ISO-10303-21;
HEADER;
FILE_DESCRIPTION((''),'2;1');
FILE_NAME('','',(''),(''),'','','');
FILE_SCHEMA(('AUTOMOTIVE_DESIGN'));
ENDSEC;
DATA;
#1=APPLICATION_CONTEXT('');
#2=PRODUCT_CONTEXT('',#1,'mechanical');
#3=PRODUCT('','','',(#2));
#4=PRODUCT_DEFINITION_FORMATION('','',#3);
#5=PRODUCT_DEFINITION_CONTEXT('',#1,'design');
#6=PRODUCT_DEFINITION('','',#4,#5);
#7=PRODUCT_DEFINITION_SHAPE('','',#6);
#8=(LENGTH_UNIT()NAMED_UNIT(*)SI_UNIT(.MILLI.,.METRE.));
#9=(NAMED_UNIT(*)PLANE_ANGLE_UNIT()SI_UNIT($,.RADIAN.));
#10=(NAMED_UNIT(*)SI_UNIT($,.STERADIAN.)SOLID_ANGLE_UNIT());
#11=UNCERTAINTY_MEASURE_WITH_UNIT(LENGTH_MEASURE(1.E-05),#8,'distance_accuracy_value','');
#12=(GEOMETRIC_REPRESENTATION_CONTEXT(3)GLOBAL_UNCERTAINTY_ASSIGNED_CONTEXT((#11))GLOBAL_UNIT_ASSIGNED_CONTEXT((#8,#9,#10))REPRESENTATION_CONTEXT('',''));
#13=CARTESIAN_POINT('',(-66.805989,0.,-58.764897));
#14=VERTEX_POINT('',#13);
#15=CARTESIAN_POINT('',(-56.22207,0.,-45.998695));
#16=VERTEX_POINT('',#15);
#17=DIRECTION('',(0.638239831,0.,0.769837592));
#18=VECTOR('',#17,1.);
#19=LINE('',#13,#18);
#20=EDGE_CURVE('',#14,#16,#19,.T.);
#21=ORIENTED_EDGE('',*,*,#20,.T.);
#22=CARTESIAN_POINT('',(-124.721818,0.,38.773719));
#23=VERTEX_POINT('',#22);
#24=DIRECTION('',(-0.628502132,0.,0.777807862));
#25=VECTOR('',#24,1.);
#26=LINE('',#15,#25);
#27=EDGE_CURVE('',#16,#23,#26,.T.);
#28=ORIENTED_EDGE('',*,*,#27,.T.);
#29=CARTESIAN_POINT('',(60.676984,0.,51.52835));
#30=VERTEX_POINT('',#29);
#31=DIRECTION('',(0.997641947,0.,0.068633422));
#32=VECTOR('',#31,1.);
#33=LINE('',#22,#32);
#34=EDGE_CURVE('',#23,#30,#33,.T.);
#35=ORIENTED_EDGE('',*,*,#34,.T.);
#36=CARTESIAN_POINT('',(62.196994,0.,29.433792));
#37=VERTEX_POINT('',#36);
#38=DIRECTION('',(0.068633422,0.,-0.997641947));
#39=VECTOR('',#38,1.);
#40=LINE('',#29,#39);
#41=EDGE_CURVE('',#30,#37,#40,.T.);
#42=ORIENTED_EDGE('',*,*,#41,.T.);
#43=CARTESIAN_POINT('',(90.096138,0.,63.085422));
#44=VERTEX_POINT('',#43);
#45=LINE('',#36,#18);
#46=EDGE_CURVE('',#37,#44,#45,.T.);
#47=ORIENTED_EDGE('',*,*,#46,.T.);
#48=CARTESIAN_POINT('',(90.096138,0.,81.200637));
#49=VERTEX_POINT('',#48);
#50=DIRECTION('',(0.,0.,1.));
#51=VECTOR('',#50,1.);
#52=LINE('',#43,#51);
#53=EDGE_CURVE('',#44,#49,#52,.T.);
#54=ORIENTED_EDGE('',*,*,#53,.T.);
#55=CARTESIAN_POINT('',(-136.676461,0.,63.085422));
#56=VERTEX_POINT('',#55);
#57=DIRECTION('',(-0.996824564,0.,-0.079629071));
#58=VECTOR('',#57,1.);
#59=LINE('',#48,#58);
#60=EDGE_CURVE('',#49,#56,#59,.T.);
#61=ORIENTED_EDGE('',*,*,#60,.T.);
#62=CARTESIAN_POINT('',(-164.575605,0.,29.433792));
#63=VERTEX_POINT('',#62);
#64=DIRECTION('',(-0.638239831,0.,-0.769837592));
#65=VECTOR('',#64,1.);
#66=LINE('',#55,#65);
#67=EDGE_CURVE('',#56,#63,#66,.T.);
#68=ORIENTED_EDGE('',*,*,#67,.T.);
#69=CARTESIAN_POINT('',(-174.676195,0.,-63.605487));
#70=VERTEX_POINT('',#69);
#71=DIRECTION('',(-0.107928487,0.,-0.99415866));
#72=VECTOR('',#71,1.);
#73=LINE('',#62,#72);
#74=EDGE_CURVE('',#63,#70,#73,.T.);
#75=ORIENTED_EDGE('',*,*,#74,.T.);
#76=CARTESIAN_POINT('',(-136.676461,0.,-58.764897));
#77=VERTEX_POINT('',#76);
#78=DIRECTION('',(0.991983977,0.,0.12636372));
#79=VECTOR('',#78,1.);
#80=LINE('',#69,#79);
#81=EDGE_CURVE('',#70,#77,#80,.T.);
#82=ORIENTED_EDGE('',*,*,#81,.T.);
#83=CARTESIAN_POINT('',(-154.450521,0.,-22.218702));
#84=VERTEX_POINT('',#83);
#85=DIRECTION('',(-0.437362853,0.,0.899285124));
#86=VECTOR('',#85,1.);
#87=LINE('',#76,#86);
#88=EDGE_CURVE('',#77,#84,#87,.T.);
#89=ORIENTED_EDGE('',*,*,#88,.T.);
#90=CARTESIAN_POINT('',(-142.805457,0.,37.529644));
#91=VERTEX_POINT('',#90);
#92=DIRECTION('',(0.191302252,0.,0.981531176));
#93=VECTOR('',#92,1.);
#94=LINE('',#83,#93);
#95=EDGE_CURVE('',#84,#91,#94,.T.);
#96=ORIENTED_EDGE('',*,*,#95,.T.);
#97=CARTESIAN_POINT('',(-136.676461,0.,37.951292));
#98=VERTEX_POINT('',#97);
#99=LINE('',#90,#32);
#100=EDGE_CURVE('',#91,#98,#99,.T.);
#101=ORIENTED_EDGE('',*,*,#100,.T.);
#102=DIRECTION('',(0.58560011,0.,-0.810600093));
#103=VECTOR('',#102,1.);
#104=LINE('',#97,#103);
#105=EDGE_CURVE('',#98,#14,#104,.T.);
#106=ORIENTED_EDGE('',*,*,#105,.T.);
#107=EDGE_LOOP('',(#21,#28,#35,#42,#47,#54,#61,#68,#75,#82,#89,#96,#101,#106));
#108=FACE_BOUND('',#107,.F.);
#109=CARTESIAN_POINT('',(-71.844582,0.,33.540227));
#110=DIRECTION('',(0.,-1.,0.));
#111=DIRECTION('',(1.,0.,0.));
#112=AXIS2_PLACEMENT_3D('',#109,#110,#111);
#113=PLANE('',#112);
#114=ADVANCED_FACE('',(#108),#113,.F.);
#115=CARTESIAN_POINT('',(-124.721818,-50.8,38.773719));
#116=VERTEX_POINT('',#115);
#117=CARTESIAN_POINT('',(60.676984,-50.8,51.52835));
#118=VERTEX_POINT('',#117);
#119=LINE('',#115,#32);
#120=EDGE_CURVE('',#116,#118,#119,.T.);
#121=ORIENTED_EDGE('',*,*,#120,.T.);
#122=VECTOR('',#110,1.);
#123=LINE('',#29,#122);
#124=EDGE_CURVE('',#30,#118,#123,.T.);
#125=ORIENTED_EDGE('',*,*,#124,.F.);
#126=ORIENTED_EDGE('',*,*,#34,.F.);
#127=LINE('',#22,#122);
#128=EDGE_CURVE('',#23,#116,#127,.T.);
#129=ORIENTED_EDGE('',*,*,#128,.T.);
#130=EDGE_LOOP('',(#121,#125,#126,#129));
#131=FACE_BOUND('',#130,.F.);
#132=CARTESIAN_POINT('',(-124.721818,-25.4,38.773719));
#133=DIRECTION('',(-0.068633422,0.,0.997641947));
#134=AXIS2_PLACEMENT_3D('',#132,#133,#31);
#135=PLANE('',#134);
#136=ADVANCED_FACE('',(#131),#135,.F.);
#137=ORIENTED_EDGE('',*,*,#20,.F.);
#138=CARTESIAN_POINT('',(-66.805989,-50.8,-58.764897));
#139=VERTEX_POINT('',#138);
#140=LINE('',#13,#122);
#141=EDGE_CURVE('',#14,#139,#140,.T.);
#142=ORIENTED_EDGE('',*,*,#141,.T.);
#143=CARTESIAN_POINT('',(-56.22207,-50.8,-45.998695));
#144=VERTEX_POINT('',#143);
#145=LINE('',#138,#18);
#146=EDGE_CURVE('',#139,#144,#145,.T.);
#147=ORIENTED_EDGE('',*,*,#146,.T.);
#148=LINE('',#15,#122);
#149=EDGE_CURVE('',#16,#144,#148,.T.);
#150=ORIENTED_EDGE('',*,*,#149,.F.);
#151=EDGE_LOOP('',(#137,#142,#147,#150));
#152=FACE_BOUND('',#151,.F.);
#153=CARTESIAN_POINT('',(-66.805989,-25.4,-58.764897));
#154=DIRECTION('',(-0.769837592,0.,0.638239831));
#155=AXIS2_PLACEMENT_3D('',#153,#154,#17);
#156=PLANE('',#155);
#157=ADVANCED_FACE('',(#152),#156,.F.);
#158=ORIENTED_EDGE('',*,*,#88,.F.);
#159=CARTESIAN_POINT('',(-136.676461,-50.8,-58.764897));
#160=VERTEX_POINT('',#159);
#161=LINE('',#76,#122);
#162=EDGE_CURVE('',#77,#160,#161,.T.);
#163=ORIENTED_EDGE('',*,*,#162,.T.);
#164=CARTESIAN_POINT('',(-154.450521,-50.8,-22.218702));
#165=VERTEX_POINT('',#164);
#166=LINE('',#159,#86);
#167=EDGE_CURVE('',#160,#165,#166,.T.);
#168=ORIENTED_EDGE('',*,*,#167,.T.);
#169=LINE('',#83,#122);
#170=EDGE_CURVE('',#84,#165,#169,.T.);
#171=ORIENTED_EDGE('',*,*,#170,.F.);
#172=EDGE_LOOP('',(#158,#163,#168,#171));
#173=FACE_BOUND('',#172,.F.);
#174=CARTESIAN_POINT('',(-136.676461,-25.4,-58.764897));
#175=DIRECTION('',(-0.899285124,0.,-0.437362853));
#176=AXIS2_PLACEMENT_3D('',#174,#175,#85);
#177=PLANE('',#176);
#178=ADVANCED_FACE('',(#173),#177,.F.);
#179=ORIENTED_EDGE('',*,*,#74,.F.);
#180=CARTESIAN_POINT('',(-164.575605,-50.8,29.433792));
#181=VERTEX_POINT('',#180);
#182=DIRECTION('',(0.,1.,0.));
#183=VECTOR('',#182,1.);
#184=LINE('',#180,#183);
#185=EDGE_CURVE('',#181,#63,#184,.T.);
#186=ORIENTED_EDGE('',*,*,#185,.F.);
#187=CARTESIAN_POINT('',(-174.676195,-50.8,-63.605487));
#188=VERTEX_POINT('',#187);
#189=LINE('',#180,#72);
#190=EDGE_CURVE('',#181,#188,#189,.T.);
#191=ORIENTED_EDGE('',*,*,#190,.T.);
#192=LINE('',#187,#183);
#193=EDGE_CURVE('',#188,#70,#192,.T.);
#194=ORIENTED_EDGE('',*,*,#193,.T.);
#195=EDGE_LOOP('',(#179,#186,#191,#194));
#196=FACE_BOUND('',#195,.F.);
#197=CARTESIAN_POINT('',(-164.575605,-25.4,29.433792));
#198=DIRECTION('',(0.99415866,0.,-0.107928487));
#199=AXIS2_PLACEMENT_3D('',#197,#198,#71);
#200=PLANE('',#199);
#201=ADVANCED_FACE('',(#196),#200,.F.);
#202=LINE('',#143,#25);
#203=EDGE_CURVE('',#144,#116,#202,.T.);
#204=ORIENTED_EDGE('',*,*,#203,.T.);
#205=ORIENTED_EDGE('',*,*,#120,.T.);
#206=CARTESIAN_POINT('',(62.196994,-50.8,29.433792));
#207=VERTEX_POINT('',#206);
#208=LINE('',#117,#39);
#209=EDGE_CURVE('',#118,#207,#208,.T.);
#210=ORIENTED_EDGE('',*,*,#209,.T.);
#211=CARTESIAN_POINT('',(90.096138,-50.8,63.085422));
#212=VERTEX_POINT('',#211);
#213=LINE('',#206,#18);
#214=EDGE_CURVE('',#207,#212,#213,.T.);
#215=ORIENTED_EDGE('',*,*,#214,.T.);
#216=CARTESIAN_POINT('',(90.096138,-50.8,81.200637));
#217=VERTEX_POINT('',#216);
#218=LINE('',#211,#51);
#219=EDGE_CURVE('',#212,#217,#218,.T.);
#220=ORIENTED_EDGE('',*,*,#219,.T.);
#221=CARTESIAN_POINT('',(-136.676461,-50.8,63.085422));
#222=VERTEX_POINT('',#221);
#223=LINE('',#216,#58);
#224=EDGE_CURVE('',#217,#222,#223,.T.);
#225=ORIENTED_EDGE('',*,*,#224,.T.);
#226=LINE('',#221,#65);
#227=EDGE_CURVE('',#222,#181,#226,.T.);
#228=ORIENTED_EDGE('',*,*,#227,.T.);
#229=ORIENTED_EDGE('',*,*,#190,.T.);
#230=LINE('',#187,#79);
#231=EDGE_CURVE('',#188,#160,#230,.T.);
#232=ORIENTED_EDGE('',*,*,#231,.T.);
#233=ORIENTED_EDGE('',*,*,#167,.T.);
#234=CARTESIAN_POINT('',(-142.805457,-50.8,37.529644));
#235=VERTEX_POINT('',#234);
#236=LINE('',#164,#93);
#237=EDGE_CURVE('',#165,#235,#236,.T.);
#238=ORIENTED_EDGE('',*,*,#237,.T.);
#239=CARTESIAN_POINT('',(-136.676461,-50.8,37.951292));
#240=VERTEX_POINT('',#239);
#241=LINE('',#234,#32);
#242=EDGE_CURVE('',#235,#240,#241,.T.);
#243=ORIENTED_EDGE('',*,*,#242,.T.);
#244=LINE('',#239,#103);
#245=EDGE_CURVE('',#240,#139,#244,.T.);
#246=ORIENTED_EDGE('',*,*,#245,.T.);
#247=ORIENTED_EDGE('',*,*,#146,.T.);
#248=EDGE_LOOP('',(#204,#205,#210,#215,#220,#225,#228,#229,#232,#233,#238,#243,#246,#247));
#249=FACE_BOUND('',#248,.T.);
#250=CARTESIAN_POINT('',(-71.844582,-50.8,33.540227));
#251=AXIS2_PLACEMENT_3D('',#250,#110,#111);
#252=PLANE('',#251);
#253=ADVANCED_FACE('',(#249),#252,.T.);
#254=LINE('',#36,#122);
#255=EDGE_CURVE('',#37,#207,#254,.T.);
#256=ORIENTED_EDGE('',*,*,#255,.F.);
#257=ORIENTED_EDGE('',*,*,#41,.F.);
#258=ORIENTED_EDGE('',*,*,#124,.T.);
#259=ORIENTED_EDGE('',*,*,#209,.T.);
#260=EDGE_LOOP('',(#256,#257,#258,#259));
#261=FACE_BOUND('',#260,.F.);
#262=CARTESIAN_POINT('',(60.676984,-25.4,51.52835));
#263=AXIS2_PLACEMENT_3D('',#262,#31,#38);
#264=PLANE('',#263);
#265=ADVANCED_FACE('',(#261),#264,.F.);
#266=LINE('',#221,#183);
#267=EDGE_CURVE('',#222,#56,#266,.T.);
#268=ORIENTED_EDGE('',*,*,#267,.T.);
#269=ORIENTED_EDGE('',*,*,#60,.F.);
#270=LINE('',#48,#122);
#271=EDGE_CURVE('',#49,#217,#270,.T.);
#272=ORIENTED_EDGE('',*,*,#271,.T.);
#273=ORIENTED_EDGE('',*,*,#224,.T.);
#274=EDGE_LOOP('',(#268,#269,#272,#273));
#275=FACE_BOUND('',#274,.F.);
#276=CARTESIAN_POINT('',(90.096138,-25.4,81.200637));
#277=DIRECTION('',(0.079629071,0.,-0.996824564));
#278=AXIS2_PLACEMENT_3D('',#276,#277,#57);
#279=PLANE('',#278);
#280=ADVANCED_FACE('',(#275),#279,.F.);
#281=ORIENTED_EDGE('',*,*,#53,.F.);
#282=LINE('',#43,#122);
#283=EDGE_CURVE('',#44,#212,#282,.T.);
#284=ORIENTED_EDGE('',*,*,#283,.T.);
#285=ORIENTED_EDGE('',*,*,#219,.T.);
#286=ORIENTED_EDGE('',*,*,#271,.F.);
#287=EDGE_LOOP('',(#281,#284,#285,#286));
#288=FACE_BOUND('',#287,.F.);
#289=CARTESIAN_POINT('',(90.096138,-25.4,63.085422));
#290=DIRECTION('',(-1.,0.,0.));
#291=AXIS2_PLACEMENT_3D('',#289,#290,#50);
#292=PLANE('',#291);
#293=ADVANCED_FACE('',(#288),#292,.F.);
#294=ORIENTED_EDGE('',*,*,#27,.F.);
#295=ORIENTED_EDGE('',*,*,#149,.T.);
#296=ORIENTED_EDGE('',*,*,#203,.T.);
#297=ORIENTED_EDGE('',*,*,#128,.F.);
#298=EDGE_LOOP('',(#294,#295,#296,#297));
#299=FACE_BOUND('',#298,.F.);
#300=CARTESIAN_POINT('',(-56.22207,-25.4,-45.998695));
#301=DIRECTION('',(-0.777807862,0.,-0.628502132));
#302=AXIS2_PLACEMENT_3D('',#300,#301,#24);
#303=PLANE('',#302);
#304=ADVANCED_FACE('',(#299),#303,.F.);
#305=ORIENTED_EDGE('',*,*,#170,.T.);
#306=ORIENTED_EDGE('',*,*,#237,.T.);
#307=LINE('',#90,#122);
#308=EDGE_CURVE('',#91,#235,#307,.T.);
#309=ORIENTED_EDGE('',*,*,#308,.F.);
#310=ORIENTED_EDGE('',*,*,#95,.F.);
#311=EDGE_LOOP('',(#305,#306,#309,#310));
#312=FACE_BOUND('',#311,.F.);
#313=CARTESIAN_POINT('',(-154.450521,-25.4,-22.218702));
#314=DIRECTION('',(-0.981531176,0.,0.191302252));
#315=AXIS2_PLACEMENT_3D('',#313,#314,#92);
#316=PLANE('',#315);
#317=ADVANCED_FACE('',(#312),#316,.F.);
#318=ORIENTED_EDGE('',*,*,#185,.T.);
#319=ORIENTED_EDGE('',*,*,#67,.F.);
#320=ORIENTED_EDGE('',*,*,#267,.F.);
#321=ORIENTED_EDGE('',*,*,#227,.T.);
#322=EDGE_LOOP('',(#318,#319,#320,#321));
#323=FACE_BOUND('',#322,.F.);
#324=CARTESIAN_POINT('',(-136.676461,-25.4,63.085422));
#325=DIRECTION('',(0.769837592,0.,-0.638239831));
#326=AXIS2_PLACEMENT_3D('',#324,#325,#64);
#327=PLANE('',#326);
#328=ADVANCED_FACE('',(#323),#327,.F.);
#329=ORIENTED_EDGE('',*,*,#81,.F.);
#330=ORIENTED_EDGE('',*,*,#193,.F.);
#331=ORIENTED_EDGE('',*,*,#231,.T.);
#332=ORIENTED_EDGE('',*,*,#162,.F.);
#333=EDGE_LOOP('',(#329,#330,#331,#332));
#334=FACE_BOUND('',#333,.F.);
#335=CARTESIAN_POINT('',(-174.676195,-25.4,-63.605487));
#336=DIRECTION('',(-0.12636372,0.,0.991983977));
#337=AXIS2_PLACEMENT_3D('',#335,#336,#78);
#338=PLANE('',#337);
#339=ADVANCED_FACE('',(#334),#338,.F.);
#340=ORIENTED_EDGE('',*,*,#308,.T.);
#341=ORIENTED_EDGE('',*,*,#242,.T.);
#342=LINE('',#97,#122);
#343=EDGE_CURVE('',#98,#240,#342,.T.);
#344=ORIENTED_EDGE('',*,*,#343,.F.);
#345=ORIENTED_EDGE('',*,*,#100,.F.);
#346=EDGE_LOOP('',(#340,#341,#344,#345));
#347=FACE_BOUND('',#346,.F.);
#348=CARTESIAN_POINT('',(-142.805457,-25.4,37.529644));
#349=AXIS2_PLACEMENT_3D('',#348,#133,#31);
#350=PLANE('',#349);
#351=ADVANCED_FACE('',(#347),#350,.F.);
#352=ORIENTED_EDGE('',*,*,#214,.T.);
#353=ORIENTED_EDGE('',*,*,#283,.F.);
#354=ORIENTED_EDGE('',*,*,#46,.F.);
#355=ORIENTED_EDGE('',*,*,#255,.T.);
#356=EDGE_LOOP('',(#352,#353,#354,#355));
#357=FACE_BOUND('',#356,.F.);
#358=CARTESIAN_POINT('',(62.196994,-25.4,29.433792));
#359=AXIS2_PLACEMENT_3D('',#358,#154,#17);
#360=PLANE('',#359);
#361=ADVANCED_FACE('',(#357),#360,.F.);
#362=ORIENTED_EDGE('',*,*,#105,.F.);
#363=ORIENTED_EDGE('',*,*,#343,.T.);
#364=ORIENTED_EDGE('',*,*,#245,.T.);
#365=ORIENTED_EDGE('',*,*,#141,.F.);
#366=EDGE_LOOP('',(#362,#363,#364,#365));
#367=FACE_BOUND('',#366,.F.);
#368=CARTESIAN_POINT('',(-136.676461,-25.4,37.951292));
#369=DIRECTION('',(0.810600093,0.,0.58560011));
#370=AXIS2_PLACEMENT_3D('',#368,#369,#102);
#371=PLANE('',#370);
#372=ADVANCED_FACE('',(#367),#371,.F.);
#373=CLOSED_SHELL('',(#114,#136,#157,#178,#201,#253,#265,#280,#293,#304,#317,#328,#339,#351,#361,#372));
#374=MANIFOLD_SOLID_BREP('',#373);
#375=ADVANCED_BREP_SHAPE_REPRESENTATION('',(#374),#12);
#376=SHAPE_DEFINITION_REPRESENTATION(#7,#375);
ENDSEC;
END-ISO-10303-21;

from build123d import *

# Parameters (mm, degrees)
F1_DEPTH = 25.4
F2_DEPTH = 25.4


with BuildPart() as f1:
    # F0 (on Front) → F1 (new body)
    with BuildSketch(Plane.XZ):
        Polygon((-174.676194787, -63.6054873466), (-136.6764605045, -58.7648972869), (-154.4505208731, -22.218702361), (-142.8054571152, 37.529643625), (-136.6764605045, 37.9512919024), (-124.7218182419, 38.7737192321), (60.676984489, 51.5283495188), (90.0961384177, 81.2006369233), (-136.6764605045, 63.0854219198), (-164.5756051188, 29.4337924282), align=None)
        Polygon((-124.7218182419, 38.7737192321), (-136.6764605045, 37.9512919024), (-66.8059885502, -58.7648972869), (-56.2220695239, -45.9986950765), align=None)
        Polygon((90.0961384177, 63.0854219198), (90.0961384177, 81.2006369233), (60.676984489, 51.5283495188), (62.1969938034, 29.4337924282), align=None)
    extrude(amount=F1_DEPTH)

    # F2 (add): a face of the model
    f2_faces = [f1.faces().sort_by_distance(p)[0] for p in [
        (-166.6256944507, -25.4, -17.4115576837),
    ]]
    extrude(f2_faces, amount=F2_DEPTH)


solid = f1.part
